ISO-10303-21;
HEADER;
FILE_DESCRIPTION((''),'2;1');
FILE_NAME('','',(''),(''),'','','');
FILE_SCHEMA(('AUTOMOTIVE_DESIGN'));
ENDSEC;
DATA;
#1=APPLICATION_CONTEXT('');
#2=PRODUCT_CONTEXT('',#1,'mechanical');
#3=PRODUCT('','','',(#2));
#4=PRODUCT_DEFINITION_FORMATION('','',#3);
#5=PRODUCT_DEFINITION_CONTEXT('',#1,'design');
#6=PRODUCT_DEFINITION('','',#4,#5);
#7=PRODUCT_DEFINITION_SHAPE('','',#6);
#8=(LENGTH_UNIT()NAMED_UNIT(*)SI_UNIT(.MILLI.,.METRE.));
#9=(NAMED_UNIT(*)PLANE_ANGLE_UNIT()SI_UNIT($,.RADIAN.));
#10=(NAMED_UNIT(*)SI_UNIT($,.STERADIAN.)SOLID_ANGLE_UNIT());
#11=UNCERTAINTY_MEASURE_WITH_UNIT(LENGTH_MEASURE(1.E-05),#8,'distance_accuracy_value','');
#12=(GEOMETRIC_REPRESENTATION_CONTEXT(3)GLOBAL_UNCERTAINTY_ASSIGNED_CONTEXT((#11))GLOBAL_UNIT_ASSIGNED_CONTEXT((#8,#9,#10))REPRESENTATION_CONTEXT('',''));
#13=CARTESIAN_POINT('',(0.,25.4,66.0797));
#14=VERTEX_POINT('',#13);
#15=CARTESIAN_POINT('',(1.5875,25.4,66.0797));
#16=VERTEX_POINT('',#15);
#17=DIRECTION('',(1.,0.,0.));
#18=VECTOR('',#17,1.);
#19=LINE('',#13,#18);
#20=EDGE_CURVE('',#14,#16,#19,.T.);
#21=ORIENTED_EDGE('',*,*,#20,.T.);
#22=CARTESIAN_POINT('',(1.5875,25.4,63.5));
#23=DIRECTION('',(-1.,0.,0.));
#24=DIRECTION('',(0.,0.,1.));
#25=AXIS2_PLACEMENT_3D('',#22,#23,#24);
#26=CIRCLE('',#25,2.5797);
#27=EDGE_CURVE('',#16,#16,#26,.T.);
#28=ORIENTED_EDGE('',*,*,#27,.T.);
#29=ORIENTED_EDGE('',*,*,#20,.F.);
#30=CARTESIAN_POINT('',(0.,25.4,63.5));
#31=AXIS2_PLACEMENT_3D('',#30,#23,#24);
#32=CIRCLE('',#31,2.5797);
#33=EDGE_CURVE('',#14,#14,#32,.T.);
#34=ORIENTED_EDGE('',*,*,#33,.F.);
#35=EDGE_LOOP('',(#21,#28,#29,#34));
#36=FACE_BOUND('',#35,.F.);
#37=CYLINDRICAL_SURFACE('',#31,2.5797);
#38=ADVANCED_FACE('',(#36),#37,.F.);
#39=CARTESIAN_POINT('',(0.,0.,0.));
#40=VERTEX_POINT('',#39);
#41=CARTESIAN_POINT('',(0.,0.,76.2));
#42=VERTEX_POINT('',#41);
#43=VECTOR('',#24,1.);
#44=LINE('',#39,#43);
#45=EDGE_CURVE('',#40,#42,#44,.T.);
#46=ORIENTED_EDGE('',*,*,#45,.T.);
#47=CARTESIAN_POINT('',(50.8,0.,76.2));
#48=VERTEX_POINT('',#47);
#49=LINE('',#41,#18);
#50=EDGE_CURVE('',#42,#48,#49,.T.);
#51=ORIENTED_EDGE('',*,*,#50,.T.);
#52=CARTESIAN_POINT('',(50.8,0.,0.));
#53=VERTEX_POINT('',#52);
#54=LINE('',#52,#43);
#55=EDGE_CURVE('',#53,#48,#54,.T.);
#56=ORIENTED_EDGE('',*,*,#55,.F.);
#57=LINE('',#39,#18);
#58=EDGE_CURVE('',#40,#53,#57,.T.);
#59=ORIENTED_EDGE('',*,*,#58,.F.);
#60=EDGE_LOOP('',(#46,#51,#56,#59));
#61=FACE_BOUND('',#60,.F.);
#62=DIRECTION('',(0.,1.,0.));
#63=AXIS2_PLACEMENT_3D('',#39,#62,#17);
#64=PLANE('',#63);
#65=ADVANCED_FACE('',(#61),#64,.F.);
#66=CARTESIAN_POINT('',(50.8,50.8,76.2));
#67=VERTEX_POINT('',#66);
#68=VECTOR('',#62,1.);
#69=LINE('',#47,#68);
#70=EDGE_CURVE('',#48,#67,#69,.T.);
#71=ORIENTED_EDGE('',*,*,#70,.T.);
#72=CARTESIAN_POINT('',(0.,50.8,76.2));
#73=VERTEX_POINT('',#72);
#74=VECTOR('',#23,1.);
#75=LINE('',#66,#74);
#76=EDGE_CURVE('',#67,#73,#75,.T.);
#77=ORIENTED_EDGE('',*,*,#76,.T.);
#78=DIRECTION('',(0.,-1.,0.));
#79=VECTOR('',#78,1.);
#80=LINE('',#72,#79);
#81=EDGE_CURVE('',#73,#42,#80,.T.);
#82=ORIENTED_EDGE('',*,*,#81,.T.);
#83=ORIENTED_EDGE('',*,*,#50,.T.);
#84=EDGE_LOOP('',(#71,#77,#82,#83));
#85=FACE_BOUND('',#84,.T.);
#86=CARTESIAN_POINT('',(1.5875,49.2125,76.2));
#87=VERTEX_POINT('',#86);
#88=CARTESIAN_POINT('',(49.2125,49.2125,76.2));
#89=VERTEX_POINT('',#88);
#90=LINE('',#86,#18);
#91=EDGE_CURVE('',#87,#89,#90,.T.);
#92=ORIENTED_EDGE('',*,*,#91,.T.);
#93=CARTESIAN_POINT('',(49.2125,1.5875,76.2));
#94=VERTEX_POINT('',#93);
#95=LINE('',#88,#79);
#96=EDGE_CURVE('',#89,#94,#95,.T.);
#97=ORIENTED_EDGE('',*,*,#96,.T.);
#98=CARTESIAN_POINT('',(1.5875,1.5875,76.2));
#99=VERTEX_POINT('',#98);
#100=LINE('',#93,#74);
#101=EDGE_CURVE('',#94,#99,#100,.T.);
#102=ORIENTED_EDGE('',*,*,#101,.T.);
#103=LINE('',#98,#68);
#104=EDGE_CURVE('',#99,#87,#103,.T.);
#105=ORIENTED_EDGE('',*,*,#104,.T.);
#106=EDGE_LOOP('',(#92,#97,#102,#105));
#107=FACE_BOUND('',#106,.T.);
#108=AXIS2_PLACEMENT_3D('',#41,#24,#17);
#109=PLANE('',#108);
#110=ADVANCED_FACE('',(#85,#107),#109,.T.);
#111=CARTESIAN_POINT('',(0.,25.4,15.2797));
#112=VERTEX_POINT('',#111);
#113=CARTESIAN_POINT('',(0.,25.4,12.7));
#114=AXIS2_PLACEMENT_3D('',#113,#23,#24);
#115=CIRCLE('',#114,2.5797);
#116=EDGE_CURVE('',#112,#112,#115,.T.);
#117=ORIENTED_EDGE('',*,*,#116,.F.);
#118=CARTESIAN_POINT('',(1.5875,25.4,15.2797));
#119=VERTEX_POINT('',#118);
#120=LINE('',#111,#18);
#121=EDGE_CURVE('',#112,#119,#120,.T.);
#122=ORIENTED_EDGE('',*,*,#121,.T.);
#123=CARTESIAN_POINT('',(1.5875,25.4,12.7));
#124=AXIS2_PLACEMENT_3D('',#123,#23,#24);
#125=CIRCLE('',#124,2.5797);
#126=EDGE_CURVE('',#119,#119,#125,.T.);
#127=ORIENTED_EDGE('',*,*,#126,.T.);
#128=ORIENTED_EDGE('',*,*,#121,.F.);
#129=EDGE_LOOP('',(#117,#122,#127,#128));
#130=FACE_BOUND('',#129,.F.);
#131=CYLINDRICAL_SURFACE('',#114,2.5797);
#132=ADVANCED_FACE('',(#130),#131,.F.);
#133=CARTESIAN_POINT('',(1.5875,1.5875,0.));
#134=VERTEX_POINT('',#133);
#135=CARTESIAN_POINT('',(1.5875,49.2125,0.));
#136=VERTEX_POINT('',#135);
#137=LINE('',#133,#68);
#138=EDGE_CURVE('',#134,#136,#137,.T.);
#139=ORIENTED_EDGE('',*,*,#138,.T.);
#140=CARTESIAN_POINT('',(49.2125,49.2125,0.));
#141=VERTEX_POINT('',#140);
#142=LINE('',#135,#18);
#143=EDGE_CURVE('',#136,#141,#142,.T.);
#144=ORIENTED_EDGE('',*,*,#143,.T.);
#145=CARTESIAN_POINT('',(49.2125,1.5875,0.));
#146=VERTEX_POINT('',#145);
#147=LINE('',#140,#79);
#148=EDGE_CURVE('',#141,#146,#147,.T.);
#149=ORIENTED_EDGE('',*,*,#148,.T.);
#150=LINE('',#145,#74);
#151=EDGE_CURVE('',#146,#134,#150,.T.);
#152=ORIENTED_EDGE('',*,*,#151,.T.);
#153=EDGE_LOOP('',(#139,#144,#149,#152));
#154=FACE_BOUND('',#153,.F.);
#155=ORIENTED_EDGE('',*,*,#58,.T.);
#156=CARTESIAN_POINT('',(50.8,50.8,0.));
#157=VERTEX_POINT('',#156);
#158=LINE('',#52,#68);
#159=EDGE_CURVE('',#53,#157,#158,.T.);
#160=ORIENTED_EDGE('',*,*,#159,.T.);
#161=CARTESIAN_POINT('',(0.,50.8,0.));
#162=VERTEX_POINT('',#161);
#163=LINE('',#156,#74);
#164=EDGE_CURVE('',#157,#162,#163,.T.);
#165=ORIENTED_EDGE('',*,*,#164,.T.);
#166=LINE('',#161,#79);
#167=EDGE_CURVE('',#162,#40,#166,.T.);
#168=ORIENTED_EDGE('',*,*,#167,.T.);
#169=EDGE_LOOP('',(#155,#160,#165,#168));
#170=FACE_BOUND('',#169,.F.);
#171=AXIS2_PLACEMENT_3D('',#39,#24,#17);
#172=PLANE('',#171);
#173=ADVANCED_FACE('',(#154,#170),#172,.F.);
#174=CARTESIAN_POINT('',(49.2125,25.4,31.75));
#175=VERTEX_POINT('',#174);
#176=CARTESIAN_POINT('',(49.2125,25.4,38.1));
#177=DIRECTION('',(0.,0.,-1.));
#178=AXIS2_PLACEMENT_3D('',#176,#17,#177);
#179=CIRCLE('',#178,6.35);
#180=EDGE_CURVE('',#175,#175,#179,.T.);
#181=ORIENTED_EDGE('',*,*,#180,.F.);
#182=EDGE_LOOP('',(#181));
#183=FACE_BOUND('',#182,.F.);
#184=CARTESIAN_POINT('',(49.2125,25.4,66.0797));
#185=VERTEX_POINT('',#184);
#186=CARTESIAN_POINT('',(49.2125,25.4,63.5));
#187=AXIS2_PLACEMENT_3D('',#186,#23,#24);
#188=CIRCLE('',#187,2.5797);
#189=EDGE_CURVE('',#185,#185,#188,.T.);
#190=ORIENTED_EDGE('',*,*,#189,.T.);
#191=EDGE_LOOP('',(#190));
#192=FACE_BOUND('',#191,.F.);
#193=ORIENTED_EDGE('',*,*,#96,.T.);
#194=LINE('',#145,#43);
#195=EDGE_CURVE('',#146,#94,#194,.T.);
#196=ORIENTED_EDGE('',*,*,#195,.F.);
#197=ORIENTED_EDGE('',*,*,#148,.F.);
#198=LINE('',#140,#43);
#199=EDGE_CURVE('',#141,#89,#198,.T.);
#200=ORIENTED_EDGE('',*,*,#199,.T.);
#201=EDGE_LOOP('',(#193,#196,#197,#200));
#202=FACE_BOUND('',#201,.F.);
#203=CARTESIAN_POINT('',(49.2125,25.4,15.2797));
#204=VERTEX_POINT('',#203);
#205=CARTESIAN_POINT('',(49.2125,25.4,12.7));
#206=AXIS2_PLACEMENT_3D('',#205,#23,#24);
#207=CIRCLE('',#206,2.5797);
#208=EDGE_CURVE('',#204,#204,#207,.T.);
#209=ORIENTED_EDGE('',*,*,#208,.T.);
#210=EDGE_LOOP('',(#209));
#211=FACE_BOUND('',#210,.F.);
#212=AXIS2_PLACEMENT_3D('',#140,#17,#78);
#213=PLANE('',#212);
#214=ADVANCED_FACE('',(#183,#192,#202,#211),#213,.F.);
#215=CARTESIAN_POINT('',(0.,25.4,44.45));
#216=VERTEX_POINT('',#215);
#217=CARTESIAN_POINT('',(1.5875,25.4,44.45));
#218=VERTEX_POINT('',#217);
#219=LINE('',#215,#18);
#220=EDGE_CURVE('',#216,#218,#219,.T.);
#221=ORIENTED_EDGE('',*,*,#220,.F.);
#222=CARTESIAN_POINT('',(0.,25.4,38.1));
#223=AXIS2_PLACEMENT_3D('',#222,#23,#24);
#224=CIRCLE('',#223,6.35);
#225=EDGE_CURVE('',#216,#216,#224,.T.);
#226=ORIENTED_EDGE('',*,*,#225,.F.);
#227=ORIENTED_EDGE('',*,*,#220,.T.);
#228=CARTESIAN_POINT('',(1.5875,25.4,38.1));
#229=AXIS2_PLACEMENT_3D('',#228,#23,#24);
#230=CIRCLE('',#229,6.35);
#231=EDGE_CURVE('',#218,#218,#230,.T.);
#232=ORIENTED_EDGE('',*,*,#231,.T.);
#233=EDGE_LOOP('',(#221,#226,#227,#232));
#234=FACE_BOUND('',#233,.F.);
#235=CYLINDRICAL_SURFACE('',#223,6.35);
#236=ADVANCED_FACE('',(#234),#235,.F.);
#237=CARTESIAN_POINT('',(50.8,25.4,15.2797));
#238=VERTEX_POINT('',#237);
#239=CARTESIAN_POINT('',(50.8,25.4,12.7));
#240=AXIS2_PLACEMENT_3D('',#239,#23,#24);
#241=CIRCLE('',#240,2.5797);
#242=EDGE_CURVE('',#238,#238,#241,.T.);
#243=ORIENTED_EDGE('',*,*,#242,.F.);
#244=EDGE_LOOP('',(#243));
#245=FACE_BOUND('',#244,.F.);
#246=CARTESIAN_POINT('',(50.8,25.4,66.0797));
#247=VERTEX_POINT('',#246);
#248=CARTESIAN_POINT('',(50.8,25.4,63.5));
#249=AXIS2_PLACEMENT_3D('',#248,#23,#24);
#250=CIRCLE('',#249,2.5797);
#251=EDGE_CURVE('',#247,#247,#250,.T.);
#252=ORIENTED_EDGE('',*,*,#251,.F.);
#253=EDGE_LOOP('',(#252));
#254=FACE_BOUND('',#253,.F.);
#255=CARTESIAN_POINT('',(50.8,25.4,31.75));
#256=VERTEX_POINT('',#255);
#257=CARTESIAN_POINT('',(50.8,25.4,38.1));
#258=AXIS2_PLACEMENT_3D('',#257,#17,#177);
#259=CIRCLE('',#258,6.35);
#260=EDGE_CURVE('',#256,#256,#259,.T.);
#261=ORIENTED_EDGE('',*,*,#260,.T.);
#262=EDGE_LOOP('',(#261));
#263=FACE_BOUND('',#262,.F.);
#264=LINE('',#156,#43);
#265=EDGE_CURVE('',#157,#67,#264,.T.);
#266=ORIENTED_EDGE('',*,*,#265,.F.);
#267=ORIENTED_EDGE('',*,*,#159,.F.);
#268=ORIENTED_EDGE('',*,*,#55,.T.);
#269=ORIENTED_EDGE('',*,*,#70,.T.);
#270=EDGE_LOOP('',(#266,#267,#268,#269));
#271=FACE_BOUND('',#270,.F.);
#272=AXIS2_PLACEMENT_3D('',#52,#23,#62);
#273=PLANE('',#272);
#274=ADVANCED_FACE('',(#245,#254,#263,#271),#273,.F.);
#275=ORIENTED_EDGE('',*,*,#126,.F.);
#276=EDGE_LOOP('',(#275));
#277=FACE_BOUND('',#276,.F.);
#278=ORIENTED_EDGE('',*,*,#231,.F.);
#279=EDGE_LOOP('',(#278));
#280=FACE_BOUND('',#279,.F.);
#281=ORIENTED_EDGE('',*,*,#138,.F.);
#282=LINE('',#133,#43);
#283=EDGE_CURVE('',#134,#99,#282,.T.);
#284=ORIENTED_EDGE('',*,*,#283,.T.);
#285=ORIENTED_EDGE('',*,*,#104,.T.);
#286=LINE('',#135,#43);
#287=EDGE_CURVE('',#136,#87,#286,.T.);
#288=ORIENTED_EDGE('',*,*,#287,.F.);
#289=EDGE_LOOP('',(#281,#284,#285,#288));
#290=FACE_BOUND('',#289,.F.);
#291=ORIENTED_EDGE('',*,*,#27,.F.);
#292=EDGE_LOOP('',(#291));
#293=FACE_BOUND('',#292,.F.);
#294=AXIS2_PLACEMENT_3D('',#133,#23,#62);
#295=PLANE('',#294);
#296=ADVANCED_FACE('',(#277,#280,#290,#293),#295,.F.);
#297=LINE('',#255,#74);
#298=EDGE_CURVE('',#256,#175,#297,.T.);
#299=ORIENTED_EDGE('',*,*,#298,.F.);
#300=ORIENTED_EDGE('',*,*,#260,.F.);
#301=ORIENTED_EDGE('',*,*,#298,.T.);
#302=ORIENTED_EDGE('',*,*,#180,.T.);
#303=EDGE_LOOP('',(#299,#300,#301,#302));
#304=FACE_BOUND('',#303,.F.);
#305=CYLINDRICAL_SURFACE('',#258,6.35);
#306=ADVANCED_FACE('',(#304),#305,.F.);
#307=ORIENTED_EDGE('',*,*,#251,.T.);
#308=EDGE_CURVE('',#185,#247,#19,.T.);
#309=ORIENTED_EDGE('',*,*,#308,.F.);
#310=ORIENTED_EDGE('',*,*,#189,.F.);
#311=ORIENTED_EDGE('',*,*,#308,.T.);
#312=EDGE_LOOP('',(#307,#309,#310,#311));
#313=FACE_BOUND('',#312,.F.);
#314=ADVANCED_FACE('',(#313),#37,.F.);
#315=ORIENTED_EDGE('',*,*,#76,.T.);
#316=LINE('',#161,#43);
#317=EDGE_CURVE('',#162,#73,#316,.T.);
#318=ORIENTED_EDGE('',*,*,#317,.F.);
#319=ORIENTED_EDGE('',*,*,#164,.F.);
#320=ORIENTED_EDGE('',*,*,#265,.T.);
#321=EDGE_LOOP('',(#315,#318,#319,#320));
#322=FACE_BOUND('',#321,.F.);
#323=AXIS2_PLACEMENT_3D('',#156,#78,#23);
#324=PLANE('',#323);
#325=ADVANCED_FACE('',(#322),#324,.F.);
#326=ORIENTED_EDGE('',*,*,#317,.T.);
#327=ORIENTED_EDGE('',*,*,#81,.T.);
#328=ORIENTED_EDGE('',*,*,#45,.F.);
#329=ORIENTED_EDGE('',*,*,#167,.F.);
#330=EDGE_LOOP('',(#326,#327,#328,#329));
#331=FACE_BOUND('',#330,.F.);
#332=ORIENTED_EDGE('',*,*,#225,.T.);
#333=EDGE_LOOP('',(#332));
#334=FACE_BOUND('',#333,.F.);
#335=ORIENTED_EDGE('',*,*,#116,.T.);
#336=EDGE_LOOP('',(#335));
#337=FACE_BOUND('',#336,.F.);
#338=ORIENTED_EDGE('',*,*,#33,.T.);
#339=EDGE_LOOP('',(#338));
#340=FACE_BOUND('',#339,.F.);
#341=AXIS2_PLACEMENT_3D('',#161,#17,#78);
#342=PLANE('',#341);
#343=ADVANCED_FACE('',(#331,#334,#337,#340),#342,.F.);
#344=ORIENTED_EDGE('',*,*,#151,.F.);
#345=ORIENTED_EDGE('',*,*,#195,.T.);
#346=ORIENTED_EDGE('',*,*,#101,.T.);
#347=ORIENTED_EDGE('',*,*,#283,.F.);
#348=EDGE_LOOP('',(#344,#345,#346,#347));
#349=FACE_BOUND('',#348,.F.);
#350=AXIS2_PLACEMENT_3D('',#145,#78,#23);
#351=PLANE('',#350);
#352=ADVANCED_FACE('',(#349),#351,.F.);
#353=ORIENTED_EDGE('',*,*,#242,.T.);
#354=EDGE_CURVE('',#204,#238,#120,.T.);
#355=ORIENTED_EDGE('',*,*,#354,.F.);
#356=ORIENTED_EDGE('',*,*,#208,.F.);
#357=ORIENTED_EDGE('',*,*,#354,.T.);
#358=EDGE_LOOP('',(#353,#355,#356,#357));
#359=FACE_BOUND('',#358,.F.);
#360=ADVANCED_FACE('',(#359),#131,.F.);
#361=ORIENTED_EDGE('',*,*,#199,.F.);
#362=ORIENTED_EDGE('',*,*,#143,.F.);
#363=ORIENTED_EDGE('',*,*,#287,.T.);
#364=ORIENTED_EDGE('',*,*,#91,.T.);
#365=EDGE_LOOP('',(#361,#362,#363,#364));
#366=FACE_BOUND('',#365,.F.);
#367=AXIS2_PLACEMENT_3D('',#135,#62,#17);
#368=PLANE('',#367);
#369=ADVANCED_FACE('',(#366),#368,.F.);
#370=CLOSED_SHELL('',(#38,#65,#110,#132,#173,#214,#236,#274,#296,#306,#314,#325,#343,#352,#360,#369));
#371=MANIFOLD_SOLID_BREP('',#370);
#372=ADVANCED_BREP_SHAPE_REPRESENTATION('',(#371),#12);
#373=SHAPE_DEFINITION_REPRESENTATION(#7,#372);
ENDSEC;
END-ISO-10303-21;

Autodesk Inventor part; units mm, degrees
ref_plane "YZ Plane" through (0, 0, 0) normal (1, 0, 0) x (0, 1, 0)
ref_plane "XZ Plane" through (0, 0, 0) normal (0, 1, 0) x (-1, 0, 0)
ref_plane "XY Plane" through (0, 0, 0) normal (0, 0, 1) x (1, 0, 0)
sketch "Sketch1" plane through (0, 0, 0) normal (0, 0, 1) x (1, 0, 0)
  line L0 (0, 0) -> (50.8, 0)
  line L1 (50.8, 0) -> (50.8, 50.8)
  line L2 (50.8, 50.8) -> (0, 50.8)
  line L3 (0, 50.8) -> (0, 0)
  line L4 (1.5875, 49.2125) -> (49.2125, 49.2125)
  line L5 (49.2125, 49.2125) -> (49.2125, 1.5875)
  line L6 (49.2125, 1.5875) -> (1.5875, 1.5875)
  line L7 (1.5875, 1.5875) -> (1.5875, 49.2125)
  dimension "d0" = 50.8
  dimension "d1" = 50.8
  dimension "d2" = 1.5875
extrude "Extrusion1" add sketch "Sketch1" along normal blind 76.2
sketch "Sketch2" plane through (50.8, 0, 0) normal (1, 0, 0) x (0, 0, -1)
  circle A0 centre (-38.1, 25.4) radius 6.35
  line L0 (0, 0) -> (0, 50.8) projected
  line L1 (0, 50.8) -> (-76.2, 50.8) projected
  dimension "d5" = 12.7
  dimension "d16" = 38.1
  dimension "d17" = 25.4
extrude "Extrusion2" cut sketch "Sketch2" against normal blind 4.7625
sketch "Sketch3" plane through (0, 0, 0) normal (-1, 0, 0) x (0, 0, 1)
  circle A0 centre (38.1, 25.4) radius 6.35 projected
  circle A1 centre (38.1, 25.4) radius 6.35
  point P0 (0, 0)
  dimension "d8" = 12.7
extrude "Extrusion3" cut sketch "Sketch3" against normal blind 4.7625
sketch "Sketch4" plane through (0, 0, 0) normal (-1, 0, 0) x (0, 0, 1)
  line L0 (0, 1.5875) -> (0, 49.2125) construction
  line L1 (0, 25.4) -> (12.7, 25.4) construction
  line L2 (12.7, 25.4) -> (63.5, 25.4) construction
  circle A0 centre (12.7, 25.4) radius 2.5797
  circle A1 centre (63.5, 25.4) radius 2.5797
  point P0 (0, 0)
  dimension "d11" = 12.7
  dimension "d12" = 50.8
  dimension "d13" = 5.1594
extrude "Extrusion4" cut sketch "Sketch4" against normal blind 55.5625
properties part number "new piston mount v2"
